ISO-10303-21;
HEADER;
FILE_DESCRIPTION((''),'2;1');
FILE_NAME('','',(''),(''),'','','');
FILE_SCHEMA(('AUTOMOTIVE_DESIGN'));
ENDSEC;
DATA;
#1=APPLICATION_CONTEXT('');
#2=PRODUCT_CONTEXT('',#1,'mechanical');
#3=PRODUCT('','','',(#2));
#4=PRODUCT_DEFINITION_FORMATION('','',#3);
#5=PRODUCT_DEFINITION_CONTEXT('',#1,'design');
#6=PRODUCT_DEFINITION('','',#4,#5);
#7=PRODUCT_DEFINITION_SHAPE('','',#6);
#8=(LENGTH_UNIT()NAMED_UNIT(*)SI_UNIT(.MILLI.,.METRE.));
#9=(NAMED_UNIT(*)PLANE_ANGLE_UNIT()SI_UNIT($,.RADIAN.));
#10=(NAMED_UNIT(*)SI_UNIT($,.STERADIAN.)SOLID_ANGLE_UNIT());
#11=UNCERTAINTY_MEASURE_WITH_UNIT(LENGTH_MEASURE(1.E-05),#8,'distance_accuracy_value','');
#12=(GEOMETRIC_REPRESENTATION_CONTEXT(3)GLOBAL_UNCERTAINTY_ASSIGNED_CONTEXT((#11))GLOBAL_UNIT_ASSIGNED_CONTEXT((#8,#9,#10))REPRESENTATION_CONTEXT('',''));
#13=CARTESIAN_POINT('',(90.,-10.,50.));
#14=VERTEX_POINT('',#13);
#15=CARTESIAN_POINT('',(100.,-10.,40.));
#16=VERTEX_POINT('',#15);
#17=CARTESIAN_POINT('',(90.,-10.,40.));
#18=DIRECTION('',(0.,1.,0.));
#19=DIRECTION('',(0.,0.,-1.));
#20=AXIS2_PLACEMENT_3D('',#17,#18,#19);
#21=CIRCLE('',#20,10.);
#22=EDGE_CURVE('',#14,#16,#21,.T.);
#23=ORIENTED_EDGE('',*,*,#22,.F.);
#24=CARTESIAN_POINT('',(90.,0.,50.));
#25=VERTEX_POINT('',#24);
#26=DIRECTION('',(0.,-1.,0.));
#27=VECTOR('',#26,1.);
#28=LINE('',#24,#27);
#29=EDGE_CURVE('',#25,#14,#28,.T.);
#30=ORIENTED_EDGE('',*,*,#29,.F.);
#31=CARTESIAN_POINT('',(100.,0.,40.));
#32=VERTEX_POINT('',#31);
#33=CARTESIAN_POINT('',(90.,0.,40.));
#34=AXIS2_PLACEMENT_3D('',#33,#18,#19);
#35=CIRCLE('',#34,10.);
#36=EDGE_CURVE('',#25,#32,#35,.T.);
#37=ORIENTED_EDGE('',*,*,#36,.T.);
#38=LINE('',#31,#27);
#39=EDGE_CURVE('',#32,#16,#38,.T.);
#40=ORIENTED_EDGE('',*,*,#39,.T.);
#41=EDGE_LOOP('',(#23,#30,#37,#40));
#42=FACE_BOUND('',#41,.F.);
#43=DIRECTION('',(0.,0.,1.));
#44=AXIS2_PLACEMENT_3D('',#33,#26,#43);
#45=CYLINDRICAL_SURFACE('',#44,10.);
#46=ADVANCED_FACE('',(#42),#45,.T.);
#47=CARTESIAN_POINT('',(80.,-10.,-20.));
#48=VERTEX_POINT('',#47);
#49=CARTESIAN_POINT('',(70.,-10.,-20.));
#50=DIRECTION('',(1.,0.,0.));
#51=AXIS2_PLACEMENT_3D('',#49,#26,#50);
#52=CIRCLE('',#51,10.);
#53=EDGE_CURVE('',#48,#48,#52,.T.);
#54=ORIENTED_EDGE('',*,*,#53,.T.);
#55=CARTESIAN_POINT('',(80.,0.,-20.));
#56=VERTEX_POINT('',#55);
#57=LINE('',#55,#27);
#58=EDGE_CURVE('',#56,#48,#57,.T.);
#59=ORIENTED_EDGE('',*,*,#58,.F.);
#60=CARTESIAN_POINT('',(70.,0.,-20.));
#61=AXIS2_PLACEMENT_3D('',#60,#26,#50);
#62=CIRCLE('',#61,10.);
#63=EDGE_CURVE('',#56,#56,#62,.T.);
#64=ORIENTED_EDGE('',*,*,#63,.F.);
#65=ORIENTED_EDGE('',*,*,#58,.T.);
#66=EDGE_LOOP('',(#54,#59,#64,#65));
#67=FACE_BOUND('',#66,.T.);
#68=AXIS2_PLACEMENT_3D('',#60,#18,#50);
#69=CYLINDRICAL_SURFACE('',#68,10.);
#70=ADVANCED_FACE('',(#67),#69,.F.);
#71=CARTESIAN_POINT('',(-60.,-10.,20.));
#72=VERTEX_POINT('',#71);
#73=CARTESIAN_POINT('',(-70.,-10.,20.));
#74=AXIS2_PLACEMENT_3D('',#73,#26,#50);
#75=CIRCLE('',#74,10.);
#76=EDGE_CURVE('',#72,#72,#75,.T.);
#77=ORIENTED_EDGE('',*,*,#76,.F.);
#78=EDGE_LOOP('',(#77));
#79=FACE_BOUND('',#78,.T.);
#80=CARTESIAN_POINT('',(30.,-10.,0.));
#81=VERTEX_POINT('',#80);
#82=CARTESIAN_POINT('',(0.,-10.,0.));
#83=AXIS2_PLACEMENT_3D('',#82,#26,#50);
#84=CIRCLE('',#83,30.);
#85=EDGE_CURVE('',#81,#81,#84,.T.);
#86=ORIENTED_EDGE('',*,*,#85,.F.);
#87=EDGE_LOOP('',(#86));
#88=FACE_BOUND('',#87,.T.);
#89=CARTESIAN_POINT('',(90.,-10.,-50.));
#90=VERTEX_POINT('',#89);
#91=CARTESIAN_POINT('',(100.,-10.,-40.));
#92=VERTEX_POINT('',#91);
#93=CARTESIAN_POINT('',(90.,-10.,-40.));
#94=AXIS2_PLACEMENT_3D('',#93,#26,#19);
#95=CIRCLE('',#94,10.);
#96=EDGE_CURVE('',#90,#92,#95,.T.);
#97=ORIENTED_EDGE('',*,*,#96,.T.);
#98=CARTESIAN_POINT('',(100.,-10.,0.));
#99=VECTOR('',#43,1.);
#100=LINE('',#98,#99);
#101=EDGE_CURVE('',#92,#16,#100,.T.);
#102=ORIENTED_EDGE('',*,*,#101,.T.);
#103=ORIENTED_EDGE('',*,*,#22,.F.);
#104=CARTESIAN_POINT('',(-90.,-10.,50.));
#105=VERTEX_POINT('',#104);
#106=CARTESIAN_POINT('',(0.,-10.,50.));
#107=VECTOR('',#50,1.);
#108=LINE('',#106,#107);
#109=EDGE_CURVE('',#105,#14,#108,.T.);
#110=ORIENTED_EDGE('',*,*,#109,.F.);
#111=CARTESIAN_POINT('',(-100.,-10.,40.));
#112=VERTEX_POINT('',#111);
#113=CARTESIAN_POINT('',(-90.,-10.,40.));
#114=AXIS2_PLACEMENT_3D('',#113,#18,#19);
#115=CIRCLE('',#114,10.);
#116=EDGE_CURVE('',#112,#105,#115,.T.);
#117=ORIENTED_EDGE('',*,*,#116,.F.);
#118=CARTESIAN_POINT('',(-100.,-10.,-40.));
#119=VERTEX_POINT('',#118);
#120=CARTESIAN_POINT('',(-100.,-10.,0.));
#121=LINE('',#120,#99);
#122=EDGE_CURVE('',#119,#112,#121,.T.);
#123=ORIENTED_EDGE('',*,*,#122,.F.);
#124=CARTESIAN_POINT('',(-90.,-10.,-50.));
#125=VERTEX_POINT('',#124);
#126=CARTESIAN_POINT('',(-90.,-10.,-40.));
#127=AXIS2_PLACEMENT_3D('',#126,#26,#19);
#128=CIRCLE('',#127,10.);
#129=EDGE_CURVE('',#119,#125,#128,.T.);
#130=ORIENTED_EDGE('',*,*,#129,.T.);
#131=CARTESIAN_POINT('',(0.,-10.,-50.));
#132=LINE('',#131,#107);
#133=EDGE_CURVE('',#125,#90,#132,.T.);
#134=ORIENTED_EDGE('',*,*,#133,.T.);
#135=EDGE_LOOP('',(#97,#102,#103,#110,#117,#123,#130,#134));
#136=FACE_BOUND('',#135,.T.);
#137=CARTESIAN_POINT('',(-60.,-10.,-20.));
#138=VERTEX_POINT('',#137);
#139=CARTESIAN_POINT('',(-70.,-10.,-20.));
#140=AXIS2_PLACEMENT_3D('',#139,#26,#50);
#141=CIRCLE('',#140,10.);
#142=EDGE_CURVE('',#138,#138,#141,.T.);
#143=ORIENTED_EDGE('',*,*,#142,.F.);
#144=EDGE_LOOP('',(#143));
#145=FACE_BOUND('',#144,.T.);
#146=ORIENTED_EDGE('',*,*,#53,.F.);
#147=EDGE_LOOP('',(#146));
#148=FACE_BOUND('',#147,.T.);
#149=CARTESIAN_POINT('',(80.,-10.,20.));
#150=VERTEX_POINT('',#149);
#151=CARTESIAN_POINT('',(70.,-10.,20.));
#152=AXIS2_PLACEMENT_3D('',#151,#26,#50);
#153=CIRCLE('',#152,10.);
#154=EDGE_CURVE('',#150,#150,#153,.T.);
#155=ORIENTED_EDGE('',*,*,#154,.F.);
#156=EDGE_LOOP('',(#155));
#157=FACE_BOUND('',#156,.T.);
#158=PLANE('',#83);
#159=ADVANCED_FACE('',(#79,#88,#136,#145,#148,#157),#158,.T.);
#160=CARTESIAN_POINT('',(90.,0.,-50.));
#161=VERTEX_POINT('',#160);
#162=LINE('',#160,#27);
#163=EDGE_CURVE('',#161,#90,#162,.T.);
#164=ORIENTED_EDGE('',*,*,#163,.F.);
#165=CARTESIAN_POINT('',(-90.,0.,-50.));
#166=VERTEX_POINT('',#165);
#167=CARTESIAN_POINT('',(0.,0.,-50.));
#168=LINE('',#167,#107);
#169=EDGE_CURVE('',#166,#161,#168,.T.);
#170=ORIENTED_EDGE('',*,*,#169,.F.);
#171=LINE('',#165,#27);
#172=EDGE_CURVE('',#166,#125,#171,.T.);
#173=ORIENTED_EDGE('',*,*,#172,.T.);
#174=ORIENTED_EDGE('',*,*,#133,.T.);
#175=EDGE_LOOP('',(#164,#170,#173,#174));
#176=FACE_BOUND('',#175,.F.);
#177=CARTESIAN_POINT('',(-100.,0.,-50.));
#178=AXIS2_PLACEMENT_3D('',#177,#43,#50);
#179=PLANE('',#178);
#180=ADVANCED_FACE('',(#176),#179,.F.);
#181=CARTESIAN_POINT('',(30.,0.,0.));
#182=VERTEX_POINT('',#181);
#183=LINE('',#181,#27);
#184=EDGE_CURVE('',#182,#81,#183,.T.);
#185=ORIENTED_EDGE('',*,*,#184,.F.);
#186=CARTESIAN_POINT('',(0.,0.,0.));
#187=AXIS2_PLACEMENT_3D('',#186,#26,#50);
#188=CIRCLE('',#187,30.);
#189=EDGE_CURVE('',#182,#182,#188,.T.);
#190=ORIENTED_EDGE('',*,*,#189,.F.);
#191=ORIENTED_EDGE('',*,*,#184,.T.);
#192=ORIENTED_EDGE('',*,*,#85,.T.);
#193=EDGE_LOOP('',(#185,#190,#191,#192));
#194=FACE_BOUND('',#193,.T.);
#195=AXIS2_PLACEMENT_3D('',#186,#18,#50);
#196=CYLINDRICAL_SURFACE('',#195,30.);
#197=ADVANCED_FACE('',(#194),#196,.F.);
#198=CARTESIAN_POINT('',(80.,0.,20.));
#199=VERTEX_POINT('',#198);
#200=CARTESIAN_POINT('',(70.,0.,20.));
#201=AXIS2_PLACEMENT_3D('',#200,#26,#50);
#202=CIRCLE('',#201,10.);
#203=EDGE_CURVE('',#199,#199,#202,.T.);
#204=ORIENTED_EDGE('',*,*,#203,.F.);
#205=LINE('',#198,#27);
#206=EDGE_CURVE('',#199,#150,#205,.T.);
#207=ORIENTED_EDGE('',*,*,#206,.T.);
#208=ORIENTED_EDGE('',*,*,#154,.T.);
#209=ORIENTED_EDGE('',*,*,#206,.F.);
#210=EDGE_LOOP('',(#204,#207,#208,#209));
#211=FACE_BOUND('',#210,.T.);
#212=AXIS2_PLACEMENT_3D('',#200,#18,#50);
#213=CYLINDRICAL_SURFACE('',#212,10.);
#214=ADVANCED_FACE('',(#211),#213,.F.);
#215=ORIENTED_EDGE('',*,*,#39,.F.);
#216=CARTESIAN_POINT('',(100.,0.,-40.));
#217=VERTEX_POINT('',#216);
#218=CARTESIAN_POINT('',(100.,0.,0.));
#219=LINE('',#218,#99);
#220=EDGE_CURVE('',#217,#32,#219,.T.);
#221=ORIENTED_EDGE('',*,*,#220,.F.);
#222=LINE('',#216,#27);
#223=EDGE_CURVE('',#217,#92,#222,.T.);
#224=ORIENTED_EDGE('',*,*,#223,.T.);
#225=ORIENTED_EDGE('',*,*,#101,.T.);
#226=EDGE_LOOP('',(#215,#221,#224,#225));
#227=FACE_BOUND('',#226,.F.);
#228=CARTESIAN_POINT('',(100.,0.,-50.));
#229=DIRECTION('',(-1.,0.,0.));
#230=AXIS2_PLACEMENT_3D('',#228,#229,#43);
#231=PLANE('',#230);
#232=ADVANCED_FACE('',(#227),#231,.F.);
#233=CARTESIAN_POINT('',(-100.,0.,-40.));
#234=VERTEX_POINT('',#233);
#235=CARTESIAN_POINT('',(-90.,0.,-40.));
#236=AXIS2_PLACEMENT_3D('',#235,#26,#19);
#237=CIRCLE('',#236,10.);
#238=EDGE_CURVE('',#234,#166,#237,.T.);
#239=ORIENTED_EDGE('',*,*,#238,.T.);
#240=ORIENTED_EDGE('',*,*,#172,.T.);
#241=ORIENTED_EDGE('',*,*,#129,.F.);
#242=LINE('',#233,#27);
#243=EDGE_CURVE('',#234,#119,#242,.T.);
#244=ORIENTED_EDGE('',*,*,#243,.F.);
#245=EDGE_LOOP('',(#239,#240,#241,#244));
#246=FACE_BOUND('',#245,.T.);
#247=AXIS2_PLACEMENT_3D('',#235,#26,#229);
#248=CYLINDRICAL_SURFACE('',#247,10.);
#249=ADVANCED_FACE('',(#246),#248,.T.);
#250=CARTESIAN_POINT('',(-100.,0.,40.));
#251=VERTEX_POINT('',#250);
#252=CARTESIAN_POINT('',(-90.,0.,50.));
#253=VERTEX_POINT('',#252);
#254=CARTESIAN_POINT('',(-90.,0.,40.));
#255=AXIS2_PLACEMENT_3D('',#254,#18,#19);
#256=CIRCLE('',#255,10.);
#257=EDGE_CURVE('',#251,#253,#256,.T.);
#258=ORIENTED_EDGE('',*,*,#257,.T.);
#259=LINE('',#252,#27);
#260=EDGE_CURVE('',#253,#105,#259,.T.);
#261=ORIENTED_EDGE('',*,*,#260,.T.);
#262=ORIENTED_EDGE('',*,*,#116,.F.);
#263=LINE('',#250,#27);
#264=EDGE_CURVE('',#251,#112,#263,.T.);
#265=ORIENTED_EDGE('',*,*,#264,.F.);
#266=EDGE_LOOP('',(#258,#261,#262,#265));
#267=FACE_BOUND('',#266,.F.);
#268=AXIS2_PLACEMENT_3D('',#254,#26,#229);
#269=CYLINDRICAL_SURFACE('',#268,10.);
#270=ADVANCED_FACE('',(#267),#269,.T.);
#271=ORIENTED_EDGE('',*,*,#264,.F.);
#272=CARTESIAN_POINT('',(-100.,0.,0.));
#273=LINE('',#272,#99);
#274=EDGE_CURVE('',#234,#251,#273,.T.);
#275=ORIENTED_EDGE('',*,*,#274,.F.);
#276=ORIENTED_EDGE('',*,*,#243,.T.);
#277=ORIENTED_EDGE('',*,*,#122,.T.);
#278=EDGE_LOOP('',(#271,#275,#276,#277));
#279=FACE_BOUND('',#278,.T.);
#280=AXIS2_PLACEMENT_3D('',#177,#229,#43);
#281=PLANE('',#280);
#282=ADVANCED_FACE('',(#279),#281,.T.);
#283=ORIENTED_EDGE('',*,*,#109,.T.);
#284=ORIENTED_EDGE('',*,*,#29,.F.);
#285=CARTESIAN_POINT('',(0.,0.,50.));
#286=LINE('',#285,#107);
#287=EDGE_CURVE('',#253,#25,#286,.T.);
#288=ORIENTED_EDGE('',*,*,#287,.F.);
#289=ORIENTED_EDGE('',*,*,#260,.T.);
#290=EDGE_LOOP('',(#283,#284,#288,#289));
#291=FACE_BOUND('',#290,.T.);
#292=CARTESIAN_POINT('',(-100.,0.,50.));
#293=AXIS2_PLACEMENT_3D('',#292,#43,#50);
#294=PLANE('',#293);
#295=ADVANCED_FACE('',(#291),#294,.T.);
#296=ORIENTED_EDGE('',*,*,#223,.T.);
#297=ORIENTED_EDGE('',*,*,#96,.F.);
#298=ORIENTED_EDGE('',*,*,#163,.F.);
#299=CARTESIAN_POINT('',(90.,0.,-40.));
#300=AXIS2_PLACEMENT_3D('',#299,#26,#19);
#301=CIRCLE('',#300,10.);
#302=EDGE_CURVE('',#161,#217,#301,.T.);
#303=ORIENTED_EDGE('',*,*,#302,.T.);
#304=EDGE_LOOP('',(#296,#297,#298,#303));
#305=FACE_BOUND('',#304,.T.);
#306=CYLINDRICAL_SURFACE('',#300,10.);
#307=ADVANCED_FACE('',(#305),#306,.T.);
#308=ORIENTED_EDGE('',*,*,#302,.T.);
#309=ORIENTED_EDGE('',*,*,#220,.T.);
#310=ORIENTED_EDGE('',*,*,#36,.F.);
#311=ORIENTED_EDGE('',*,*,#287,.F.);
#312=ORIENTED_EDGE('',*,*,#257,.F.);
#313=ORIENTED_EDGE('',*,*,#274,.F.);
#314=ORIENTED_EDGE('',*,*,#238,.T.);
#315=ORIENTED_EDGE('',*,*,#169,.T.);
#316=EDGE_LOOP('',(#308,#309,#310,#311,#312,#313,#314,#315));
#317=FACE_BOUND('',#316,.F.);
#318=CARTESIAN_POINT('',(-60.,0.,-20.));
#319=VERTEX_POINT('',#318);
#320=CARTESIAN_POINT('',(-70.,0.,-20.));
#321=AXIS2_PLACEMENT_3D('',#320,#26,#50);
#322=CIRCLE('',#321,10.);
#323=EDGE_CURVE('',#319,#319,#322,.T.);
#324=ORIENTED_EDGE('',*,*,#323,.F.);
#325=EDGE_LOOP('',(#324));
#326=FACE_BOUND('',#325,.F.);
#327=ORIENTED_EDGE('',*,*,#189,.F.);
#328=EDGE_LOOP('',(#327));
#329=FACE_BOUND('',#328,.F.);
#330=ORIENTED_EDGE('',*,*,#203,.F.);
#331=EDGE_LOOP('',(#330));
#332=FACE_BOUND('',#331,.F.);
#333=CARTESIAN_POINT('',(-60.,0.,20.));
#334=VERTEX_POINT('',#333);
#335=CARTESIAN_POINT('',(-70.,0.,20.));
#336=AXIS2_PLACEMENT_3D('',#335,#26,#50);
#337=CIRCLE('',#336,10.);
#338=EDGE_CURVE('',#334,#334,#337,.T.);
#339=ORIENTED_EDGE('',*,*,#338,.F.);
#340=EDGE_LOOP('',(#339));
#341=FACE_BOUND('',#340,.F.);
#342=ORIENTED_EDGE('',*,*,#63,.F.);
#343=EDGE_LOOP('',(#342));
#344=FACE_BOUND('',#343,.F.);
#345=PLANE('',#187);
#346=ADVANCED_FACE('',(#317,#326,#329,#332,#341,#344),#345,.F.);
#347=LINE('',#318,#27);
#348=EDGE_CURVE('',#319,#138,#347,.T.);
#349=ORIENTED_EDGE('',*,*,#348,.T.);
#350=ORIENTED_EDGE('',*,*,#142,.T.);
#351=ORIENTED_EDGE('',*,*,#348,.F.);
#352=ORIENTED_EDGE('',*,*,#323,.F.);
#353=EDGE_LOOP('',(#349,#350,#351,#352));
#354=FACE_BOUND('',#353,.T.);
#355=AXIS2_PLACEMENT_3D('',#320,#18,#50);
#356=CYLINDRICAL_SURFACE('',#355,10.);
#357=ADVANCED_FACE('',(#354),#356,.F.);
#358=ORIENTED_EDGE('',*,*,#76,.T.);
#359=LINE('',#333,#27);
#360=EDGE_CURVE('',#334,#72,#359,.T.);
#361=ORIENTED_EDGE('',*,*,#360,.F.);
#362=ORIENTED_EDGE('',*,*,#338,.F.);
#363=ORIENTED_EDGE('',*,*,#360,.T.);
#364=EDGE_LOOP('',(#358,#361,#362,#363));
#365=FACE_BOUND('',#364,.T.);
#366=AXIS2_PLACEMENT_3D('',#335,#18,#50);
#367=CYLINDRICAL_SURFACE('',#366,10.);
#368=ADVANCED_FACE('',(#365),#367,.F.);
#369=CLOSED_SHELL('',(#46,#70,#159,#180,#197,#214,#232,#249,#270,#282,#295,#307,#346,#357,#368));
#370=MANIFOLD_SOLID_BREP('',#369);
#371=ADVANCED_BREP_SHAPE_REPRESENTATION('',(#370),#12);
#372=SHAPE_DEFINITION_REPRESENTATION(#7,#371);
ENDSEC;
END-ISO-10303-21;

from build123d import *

# Parameters (mm, degrees)
SKETCH_W    = 200
SKETCH_H    = 100
SKETCH_R    = 30
SKETCH_R_2  = 10
PAD_DEPTH   = 10
FILLET_R    = 10
FILLET001_R = 10


with BuildPart() as part:
    # Sketch → Pad (new body)
    with BuildSketch(Plane.XZ):
        Rectangle(SKETCH_W, SKETCH_H)
        Circle(SKETCH_R, mode=Mode.SUBTRACT)
        with Locations((-70, 20)):
            Circle(SKETCH_R_2, mode=Mode.SUBTRACT)
        with Locations((70, 20)):
            Circle(SKETCH_R_2, mode=Mode.SUBTRACT)
        with Locations((70, -20)):
            Circle(SKETCH_R_2, mode=Mode.SUBTRACT)
        with Locations((-70, -20)):
            Circle(SKETCH_R_2, mode=Mode.SUBTRACT)
    extrude(amount=PAD_DEPTH)

    # Fillet
    fillet_edges = [part.edges().sort_by_distance(p)[0] for p in [
        (100, -5, -50),
        (100, -5, 50),
        (-100, -5, 50),
    ]]
    fillet(fillet_edges, radius=FILLET_R)

    # Fillet001
    fillet001_edges = [part.edges().sort_by_distance(p)[0] for p in [
        (-100, -5, -50),
    ]]
    fillet(fillet001_edges, radius=FILLET001_R)


solid = part.part
